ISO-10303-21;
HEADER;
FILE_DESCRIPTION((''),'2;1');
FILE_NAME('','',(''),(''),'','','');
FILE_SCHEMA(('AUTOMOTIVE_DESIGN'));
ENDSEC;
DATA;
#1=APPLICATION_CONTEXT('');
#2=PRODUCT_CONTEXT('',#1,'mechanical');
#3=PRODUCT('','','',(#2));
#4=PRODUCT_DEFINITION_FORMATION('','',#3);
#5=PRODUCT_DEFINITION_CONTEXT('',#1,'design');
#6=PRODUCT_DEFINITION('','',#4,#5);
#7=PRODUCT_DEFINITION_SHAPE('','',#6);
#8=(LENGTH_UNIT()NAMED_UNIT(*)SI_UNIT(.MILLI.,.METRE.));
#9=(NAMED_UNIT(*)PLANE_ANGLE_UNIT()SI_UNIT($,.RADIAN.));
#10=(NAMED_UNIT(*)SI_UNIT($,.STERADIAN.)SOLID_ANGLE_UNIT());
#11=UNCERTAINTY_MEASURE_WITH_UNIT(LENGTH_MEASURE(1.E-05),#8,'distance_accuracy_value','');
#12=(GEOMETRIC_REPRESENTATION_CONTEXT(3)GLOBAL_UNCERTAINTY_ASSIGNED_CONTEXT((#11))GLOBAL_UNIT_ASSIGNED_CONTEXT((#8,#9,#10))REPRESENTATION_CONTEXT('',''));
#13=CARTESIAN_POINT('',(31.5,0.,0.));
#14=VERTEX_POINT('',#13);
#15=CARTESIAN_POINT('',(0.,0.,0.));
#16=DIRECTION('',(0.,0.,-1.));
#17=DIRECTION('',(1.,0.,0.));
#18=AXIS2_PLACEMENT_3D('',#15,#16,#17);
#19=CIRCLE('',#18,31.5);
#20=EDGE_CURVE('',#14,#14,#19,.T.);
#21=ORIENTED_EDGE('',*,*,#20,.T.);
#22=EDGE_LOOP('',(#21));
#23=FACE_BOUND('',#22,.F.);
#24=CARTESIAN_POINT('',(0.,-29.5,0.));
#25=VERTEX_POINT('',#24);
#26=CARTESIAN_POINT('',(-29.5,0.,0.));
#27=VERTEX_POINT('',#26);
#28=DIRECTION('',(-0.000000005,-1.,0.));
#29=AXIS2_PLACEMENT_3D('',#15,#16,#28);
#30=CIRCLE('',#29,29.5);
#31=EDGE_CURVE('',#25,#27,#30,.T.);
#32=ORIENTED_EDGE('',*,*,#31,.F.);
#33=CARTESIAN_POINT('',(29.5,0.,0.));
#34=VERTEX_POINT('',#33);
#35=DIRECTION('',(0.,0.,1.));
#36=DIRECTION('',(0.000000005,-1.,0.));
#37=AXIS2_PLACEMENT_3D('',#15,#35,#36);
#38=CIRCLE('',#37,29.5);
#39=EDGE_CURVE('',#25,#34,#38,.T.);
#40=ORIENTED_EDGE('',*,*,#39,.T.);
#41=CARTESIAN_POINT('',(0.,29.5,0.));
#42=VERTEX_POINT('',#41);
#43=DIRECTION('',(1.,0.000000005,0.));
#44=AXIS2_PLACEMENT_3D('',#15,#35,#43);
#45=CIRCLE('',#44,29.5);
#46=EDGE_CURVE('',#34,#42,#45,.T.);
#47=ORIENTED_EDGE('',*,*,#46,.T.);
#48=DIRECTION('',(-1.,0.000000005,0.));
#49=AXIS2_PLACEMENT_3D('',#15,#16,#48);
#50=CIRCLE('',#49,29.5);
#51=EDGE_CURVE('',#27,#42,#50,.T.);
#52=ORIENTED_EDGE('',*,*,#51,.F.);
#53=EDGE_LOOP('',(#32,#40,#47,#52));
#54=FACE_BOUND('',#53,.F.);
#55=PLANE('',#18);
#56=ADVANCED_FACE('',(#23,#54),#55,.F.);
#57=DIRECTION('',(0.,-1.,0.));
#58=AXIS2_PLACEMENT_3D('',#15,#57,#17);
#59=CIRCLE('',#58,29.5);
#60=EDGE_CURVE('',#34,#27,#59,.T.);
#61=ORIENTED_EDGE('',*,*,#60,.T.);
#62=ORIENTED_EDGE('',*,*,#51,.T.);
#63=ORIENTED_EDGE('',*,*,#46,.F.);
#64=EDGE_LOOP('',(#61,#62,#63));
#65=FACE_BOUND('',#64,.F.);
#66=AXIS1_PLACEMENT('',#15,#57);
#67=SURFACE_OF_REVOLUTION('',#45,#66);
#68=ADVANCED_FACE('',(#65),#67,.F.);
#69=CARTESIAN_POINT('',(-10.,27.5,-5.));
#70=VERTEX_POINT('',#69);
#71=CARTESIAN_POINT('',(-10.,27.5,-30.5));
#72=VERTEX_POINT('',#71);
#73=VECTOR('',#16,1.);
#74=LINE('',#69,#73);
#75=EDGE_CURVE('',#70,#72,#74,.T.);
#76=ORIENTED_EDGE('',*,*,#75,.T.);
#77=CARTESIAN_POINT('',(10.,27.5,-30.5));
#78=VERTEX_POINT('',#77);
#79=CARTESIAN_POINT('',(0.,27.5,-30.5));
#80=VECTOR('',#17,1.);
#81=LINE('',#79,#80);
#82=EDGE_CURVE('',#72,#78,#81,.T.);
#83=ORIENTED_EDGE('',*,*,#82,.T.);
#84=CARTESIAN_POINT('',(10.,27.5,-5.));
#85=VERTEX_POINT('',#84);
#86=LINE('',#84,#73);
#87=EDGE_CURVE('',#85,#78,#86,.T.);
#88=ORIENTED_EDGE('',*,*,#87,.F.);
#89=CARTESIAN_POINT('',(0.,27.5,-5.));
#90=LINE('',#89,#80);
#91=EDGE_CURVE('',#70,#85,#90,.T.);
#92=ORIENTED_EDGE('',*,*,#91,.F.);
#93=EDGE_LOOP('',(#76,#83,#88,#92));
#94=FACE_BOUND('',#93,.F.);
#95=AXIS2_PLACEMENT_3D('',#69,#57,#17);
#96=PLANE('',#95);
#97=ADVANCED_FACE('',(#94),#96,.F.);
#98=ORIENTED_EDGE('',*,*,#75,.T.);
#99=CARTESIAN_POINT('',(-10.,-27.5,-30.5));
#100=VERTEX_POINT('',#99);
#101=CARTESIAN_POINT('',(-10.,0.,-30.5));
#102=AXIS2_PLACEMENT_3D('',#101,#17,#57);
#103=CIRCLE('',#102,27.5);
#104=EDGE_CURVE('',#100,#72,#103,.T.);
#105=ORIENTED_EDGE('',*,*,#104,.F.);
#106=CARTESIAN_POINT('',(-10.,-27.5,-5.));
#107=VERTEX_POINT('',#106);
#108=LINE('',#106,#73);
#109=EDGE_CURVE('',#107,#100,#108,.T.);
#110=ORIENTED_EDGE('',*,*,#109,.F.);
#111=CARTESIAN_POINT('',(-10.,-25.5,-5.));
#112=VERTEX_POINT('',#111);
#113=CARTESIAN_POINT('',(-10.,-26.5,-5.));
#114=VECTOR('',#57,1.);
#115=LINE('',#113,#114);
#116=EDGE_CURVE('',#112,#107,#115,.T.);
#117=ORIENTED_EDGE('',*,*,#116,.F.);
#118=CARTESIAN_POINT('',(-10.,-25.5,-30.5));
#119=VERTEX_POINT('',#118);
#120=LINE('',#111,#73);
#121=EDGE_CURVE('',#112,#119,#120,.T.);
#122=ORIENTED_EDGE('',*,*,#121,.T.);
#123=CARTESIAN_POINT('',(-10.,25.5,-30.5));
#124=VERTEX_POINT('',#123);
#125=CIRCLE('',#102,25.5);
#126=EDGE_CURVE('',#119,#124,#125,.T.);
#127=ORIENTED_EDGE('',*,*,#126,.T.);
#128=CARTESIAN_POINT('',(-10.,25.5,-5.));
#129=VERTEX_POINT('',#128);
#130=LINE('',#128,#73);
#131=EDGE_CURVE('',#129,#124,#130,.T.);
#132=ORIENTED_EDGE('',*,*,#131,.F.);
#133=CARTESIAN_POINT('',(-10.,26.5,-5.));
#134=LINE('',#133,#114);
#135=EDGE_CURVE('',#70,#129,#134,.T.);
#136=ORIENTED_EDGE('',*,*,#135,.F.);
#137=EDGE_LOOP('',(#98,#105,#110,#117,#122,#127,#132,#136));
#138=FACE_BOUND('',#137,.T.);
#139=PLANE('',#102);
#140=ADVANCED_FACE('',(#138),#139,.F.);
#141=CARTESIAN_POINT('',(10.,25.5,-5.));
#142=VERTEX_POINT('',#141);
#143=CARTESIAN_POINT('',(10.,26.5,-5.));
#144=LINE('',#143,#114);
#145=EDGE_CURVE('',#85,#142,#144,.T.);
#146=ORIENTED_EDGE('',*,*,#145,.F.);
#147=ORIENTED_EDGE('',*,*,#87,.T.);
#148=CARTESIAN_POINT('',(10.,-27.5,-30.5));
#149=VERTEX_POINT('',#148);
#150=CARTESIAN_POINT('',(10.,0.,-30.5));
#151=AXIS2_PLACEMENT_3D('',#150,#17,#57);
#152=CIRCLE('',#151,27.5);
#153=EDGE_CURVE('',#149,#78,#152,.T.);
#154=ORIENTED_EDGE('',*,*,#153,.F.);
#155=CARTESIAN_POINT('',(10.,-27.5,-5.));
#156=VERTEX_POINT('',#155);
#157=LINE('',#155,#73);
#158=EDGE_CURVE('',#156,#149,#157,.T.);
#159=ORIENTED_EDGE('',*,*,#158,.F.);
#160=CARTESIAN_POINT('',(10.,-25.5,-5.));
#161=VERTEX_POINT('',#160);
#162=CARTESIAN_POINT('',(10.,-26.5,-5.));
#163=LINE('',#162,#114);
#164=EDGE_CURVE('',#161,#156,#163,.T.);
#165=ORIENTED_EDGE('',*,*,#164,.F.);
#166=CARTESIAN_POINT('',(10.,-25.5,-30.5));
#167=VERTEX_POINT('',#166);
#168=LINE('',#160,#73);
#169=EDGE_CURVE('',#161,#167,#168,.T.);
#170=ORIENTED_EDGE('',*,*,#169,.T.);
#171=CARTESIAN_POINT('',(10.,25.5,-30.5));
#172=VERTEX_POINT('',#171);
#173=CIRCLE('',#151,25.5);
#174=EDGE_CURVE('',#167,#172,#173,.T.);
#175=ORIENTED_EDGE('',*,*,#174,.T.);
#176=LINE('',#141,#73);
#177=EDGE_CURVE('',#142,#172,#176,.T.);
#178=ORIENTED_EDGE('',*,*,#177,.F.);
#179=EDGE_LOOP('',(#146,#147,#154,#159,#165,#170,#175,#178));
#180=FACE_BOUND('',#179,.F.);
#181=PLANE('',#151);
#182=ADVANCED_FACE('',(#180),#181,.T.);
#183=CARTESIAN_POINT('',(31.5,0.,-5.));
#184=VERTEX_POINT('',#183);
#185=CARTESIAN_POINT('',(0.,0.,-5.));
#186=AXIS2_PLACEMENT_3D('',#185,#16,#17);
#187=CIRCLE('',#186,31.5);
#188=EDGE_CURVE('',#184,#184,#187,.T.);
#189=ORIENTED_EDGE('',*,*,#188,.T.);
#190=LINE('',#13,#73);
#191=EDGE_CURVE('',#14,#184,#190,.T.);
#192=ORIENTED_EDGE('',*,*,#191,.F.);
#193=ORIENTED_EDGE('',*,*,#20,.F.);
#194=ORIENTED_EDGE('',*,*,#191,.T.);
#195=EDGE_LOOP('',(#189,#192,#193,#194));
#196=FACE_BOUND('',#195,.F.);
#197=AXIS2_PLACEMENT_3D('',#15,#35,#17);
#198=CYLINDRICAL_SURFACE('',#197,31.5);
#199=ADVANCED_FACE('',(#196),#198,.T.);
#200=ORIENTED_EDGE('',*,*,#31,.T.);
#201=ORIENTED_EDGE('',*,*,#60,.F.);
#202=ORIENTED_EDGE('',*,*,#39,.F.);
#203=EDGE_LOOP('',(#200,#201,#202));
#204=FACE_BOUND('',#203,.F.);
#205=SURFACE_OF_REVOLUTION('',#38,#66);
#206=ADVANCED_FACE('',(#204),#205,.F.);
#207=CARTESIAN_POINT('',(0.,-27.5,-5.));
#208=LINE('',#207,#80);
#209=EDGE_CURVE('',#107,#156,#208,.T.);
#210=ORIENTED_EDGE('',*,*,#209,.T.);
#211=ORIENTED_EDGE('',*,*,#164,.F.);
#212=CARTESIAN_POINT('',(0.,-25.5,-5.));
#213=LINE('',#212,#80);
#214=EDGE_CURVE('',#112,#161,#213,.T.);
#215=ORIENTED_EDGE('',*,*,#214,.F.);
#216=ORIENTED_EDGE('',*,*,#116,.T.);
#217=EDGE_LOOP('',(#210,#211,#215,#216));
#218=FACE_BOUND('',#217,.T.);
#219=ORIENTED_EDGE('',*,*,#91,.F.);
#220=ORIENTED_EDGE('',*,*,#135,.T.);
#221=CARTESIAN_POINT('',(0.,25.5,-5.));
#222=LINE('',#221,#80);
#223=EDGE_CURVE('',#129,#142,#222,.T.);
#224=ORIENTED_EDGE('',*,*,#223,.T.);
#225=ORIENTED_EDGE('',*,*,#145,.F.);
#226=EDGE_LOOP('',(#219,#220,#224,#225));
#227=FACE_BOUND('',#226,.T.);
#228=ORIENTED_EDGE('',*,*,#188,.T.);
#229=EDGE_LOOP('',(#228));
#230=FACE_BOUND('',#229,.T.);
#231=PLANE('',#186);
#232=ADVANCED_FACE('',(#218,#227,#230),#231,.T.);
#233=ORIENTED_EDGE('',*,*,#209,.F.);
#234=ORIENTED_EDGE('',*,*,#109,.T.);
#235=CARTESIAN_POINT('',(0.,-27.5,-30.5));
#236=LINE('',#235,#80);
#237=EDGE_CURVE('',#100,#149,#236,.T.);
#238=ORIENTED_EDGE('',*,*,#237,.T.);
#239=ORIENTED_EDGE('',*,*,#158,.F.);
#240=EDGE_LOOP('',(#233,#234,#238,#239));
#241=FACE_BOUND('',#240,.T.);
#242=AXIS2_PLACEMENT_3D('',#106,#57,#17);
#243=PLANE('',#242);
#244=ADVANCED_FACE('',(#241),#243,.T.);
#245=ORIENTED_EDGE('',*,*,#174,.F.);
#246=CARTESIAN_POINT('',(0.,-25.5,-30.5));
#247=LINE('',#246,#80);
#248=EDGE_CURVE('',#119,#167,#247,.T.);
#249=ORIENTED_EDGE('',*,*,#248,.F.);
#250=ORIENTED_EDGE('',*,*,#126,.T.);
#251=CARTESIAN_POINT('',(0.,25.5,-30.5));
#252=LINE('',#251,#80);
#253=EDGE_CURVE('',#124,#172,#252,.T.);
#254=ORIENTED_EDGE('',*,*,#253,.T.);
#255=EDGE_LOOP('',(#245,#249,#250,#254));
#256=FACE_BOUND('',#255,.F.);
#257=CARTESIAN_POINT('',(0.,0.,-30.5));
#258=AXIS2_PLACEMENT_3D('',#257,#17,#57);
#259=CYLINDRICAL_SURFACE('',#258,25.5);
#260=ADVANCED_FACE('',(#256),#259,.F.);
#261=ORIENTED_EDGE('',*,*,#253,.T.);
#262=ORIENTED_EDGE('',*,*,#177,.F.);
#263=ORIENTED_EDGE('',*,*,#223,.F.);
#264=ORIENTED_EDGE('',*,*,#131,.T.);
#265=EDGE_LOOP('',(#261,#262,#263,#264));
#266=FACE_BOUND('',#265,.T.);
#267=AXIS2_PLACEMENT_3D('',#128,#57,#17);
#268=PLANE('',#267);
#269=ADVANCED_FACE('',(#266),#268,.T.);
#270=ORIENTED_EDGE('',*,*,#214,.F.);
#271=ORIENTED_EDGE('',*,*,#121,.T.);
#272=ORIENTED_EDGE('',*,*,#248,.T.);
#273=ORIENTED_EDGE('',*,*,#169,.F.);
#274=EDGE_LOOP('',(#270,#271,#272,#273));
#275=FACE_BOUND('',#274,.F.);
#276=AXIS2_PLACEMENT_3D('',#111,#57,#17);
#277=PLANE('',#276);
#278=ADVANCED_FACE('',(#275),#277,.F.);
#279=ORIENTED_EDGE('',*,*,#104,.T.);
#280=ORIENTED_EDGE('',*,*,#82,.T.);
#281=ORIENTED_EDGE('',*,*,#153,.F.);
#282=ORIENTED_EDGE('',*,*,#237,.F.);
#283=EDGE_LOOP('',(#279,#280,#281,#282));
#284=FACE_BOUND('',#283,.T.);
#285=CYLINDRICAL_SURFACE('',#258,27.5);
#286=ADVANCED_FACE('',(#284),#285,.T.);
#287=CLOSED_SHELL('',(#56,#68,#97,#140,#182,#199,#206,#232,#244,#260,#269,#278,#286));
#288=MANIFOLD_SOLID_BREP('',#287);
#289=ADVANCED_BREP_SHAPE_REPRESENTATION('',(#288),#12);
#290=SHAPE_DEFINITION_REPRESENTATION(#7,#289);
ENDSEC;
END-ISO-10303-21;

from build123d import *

# Parameters (mm, degrees)
F1_ANGLE = 180
F2_R     = 31.5
F3_DEPTH = 5
F4_W     = 20
F4_H     = 2
F5_DEPTH = 25.5
F6_W     = 20
F6_H     = 2
F7_ANGLE = 180


with BuildPart() as f1:
    # F0 (on Top) → F1 (revolve)
    with BuildSketch(Plane.XY):
        with BuildLine():
            ThreePointArc((0, -29.5), (20.85965, -20.85965), (29.5, 0))
            ThreePointArc((29.5, 0), (20.85965, 20.85965), (0, 29.5))
            Line((0, 29.5), (0, -29.5))
        make_face()
    revolve(axis=Axis((0, 0, 0), (0, -1, 0)), revolution_arc=F1_ANGLE)

    # F2 (on face) → F3 (join)
    with BuildSketch(Plane(origin=(0, 0, 0), x_dir=(1, 0, 0), z_dir=(0, 0, -1))):
        Circle(F2_R)
    extrude(amount=F3_DEPTH)

    # F4 (on face) → F5 (join)
    with BuildSketch(Plane(origin=(0, 0, -5), x_dir=(1, 0, 0), z_dir=(0, 0, -1))):
        with Locations((0, 26.5)):
            Rectangle(F4_W, F4_H)
        with Locations((0, -26.5)):
            Rectangle(F4_W, F4_H)
    extrude(amount=F5_DEPTH)

    # F6 (on face) → F7 (revolve)
    with BuildSketch(Plane(origin=(0, 0, -30.5), x_dir=(1, 0, 0), z_dir=(0, 0, -1))):
        with Locations((0, 26.5)):
            Rectangle(F6_W, F6_H)
    revolve(axis=Axis((7.741019, 0, -30.5), (1, 0, 0)), revolution_arc=F7_ANGLE)


solid = f1.part
